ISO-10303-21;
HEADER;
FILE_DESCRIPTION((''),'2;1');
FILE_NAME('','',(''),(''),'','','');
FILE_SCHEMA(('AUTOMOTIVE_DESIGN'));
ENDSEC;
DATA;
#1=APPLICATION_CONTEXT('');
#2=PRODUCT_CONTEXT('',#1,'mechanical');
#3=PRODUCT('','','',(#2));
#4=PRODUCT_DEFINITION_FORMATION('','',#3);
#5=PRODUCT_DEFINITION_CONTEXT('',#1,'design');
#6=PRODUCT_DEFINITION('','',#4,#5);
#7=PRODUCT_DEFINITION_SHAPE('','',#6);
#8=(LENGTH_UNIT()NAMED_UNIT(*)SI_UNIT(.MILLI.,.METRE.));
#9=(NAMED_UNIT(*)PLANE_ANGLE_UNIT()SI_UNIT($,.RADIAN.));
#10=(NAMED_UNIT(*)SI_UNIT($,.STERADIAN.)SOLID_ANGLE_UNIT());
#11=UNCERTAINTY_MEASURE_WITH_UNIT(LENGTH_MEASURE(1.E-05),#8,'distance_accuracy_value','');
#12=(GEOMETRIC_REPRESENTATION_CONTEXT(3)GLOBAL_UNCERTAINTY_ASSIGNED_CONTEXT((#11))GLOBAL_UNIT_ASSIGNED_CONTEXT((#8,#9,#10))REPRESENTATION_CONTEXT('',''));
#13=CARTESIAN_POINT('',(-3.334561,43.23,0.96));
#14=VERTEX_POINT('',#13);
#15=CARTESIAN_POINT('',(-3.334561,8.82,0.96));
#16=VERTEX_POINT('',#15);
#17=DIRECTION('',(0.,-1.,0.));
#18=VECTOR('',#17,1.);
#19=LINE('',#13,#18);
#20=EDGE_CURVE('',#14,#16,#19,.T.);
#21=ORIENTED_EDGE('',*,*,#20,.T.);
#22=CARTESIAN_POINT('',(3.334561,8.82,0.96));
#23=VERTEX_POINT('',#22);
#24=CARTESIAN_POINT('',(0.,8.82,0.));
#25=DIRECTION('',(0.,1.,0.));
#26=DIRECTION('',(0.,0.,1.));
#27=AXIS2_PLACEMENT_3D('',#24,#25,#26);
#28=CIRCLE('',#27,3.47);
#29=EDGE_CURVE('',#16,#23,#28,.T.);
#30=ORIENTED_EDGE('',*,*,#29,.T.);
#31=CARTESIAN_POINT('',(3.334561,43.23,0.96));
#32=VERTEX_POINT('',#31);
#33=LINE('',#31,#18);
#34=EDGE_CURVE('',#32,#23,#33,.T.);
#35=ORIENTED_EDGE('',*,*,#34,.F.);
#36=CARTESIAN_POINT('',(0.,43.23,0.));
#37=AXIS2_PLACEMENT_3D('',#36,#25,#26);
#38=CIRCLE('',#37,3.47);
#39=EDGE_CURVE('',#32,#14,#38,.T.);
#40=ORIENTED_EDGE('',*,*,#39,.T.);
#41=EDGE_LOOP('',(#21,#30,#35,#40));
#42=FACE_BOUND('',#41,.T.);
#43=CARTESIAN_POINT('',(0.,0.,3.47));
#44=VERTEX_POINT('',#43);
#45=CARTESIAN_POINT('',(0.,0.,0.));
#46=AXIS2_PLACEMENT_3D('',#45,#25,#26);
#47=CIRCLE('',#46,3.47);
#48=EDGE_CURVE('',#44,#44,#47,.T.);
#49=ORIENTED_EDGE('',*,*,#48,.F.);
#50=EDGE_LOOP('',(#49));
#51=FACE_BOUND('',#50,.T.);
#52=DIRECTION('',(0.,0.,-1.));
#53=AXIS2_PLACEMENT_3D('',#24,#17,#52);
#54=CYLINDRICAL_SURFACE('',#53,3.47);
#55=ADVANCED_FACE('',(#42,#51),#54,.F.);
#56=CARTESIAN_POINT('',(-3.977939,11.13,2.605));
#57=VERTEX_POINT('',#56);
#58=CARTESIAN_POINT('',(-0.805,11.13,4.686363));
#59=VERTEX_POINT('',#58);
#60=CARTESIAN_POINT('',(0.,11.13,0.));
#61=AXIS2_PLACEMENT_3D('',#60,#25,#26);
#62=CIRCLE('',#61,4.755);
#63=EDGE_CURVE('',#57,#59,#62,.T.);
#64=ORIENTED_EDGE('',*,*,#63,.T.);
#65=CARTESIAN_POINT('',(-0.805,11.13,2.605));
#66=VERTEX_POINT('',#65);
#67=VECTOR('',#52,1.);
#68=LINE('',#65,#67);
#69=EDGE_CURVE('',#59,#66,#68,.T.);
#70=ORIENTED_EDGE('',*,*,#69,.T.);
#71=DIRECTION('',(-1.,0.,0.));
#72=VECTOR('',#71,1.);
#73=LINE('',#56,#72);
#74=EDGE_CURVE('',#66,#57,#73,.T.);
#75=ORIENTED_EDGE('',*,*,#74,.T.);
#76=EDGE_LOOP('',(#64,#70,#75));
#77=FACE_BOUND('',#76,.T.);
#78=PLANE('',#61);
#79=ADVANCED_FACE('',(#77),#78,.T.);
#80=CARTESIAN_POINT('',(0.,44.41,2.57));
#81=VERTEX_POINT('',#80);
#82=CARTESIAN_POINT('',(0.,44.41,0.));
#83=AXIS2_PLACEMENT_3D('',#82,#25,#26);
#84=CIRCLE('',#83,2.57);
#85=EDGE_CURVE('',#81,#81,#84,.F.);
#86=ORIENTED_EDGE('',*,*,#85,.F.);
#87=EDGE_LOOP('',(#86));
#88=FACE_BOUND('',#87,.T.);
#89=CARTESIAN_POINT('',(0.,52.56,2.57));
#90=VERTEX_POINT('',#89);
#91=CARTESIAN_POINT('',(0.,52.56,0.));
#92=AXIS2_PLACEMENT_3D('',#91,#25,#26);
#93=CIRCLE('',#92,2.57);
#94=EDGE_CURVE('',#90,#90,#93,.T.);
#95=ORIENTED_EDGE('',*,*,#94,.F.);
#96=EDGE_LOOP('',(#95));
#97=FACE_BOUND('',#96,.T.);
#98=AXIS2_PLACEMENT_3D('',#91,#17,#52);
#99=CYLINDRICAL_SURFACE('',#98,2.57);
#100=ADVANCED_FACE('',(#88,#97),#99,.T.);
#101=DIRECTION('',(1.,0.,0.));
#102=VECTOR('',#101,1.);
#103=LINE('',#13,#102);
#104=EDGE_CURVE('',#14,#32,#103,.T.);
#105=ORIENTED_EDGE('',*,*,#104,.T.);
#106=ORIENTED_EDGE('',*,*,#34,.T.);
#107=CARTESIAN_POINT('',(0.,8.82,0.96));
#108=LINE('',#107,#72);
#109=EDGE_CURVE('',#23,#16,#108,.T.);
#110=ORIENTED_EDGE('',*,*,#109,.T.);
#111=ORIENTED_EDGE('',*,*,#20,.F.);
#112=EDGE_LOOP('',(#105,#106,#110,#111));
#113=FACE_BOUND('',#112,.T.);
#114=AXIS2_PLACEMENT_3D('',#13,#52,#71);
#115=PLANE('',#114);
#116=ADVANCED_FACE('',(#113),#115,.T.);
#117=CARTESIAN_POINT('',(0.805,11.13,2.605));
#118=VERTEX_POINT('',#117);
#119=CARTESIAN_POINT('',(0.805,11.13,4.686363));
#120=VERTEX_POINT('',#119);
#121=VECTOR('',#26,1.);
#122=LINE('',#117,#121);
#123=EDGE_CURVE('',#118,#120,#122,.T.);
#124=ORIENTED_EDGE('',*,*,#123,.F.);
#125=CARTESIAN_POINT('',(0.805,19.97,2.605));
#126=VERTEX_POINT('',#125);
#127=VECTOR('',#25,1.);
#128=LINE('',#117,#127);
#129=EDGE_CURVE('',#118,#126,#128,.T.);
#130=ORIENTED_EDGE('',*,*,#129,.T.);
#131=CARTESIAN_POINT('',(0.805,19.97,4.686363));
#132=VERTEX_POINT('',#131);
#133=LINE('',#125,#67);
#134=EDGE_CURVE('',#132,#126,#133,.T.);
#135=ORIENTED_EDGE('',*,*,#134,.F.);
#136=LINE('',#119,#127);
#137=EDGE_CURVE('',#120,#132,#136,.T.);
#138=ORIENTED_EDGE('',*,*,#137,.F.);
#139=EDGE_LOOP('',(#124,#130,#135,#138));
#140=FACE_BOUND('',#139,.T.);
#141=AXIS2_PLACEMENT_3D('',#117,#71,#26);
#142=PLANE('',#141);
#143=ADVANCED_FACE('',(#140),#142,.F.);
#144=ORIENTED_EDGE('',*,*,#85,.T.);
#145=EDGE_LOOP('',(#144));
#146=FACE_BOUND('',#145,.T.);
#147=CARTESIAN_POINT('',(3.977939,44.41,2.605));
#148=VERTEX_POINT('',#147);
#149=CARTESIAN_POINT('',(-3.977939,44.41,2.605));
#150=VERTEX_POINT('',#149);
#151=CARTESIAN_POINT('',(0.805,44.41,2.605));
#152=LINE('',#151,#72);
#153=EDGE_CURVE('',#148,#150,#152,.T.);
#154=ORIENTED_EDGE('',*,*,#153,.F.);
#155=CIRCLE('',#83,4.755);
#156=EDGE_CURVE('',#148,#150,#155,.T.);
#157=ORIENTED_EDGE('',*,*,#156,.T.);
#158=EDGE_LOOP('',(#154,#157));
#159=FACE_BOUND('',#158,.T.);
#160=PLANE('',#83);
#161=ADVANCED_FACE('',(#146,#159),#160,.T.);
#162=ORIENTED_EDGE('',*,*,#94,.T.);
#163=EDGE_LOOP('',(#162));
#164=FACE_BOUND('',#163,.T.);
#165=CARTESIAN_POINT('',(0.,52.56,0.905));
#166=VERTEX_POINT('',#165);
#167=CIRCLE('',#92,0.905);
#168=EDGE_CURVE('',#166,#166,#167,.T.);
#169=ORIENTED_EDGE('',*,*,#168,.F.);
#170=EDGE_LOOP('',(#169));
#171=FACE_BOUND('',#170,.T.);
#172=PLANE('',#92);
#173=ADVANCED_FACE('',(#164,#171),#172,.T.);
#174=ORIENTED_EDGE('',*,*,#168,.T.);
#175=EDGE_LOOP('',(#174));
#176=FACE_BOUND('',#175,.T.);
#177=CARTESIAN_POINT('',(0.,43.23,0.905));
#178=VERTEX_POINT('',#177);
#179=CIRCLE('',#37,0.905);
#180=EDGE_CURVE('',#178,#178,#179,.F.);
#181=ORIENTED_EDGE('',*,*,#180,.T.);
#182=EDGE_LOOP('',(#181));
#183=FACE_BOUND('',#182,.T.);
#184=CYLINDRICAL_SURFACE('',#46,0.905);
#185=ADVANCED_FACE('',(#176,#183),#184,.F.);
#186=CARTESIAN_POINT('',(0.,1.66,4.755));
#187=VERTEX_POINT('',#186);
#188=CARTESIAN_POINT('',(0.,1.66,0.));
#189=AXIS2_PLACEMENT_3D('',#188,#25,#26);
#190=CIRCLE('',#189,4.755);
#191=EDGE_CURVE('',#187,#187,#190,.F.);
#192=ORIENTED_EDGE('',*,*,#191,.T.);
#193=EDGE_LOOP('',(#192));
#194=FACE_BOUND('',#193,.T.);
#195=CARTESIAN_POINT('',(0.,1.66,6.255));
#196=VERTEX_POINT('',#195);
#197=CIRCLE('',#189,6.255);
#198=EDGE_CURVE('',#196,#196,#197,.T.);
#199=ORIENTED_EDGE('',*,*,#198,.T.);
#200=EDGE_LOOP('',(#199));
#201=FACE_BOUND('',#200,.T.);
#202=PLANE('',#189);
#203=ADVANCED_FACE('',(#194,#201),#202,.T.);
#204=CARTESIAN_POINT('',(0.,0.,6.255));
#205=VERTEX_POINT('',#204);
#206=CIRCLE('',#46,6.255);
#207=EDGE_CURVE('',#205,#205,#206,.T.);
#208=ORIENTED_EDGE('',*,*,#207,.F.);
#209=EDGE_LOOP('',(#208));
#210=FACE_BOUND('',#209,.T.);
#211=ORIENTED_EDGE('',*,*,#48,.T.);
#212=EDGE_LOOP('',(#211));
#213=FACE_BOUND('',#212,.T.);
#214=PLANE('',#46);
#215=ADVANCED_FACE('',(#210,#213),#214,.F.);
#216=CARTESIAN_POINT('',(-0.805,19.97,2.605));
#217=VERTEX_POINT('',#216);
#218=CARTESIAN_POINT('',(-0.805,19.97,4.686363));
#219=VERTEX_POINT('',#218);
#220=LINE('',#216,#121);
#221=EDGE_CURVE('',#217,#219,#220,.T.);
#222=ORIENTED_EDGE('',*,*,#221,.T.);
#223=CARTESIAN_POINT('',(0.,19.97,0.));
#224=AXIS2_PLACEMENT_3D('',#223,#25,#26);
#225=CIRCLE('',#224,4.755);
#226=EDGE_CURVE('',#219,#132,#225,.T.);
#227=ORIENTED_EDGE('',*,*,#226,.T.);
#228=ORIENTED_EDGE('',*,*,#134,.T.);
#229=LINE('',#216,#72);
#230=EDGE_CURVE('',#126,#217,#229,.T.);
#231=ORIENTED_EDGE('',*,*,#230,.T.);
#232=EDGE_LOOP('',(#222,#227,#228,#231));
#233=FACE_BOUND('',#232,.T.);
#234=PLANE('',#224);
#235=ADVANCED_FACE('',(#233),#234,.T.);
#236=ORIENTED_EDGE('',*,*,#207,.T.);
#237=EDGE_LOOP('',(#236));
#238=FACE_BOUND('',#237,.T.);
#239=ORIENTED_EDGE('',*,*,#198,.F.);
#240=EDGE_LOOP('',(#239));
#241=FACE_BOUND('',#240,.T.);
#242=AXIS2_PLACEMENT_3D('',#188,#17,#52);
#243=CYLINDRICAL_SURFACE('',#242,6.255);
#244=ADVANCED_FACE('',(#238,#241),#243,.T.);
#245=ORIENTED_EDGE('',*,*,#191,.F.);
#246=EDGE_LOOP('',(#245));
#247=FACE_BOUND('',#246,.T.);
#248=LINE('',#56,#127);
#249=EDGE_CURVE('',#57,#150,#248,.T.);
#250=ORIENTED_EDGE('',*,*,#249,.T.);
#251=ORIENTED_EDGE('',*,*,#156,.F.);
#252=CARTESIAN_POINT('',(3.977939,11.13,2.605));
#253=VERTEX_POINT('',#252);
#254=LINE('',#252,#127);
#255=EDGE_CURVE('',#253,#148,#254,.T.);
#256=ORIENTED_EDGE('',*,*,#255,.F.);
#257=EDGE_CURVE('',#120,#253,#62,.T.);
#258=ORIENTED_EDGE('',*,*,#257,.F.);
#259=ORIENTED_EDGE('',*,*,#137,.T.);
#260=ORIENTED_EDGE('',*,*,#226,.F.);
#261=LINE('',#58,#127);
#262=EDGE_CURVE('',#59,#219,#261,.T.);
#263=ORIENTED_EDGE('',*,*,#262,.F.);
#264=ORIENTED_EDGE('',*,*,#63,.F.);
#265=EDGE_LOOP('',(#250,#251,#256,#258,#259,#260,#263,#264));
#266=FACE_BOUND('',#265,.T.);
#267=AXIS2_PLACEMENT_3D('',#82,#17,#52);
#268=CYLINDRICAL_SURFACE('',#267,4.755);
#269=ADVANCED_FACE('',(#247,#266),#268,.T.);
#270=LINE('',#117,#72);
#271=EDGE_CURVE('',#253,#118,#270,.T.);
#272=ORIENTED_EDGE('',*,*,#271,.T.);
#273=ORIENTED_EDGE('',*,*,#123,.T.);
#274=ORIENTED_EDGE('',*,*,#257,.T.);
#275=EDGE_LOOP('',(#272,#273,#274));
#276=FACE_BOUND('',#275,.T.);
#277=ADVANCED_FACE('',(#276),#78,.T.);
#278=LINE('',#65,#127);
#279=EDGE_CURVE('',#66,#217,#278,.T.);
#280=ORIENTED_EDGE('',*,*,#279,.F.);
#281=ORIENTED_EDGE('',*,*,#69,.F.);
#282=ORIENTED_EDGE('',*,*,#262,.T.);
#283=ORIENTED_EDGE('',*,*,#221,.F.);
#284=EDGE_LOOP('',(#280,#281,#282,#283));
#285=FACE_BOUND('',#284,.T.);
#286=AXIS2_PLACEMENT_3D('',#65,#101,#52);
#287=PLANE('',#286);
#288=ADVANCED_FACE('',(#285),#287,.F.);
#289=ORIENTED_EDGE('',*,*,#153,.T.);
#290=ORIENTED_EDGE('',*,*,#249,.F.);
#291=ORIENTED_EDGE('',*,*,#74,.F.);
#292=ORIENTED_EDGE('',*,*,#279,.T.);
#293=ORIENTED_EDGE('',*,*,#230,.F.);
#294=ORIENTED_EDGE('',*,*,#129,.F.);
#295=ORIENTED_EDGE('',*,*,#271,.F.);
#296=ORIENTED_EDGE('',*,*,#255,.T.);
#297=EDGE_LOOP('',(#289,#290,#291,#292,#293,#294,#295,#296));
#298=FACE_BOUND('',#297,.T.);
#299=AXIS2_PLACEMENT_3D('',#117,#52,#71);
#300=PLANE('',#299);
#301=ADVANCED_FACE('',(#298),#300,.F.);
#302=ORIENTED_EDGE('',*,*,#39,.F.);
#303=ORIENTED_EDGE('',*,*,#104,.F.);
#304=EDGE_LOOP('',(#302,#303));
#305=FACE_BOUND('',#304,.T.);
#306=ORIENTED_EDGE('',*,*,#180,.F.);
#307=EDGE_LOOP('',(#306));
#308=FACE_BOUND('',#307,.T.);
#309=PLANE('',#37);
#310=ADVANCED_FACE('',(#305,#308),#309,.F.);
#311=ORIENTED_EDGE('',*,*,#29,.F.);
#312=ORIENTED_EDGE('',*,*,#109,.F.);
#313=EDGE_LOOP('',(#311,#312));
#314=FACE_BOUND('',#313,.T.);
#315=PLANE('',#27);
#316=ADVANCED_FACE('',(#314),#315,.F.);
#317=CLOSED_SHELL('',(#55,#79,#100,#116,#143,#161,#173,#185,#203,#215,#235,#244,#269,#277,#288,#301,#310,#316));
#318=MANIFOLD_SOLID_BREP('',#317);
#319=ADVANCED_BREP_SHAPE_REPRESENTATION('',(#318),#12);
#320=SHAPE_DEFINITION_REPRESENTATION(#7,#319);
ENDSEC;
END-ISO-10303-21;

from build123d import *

# Parameters (mm, degrees)
SKETCH1_R             = 6.255
BOTTOM_RING_DEPTH     = 1.66
SKETCH2_R             = 4.755
MAIN_CYLINDER_DEPTH   = 44.41
SKETCH3_R             = 2.57
TOP_CYLINDER_DEPTH    = 52.56
CUTOUT_PT1_DEPTH      = 33.28
CUTOUT_PT2_DEPTH      = 24.44
SKETCH6_R             = 3.47
BOTTOM_HOLE_PT1_DEPTH = 8.82
SKETCH7_R             = 0.905
TOP_HOLE_DEPTH        = 53.56
BOTTOM_HOLE_PT2_DEPTH = 43.23


with BuildPart() as part:
    # Sketch1 → Bottom Ring (new body)
    with BuildSketch(Plane(origin=(0, 0, 0), x_dir=(1, 0, 0), z_dir=(0, 1, 0))):
        Circle(SKETCH1_R)
    extrude(amount=BOTTOM_RING_DEPTH)

    # Sketch2 → Main Cylinder (add)
    with BuildSketch(Plane(origin=(0, 0, 0), x_dir=(1, 0, 0), z_dir=(0, 1, 0))):
        Circle(SKETCH2_R)
    extrude(amount=MAIN_CYLINDER_DEPTH)

    # Sketch3 → Top Cylinder (add)
    with BuildSketch(Plane(origin=(0, 0, 0), x_dir=(1, 0, 0), z_dir=(0, 1, 0))):
        Circle(SKETCH3_R)
    extrude(amount=TOP_CYLINDER_DEPTH)

    # Sketch4 → Cutout pt1 (cut)
    with BuildSketch(Plane(origin=(0, 44.41, 0), x_dir=(1, 0, 0), z_dir=(0, 1, 0))):
        with BuildLine():
            Line((-0.805, -2.605), (-0.805, -4.686363195))
            ThreePointArc((-0.805, -4.686363195), (-2.608092205, -3.97591248), (-3.977939165, -2.605))
            Line((-3.977939165, -2.605), (-0.805, -2.605))
        make_face()
        with BuildLine():
            Line((0.805, -2.605), (0.805, -4.686363195))
            ThreePointArc((0.805, -4.686363195), (2.608092205, -3.97591248), (3.977939165, -2.605))
            Line((3.977939165, -2.605), (0.805, -2.605))
        make_face()
    extrude(amount=-CUTOUT_PT1_DEPTH, mode=Mode.SUBTRACT)

    # Sketch5 → Cutout pt2 (cut)
    with BuildSketch(Plane(origin=(0, 44.41, 0), x_dir=(1, 0, 0), z_dir=(0, 1, 0))):
        with BuildLine():
            Line((-0.805, -2.605), (-0.805, -4.686363195))
            ThreePointArc((-0.805, -4.686363195), (0, -4.755), (0.805, -4.686363195))
            Line((0.805, -4.686363195), (0.805, -2.605))
            Line((0.805, -2.605), (-0.805, -2.605))
        make_face()
    extrude(amount=-CUTOUT_PT2_DEPTH, mode=Mode.SUBTRACT)

    # Sketch6 → Bottom Hole pt1 (cut)
    with BuildSketch(Plane(origin=(0, 0, 0), x_dir=(1, 0, 0), z_dir=(0, 1, 0))):
        Circle(SKETCH6_R)
    extrude(amount=BOTTOM_HOLE_PT1_DEPTH, mode=Mode.SUBTRACT)

    # Sketch7 → Top Hole (cut, through all)
    with BuildSketch(Plane(origin=(0, 52.56, 0), x_dir=(1, 0, 0), z_dir=(0, 1, 0))):
        Circle(SKETCH7_R)
    extrude(amount=-TOP_HOLE_DEPTH, mode=Mode.SUBTRACT)

    # Sketch8 → Bottom Hole pt2 (cut)
    with BuildSketch(Plane(origin=(0, 0, 0), x_dir=(1, 0, 0), z_dir=(0, 1, 0))):
        with BuildLine():
            Line((-3.33456144, -0.96), (3.33456144, -0.96))
            ThreePointArc((3.33456144, -0.96), (0, 3.47), (-3.33456144, -0.96))
        make_face()
    extrude(amount=BOTTOM_HOLE_PT2_DEPTH, mode=Mode.SUBTRACT)


solid = part.part
